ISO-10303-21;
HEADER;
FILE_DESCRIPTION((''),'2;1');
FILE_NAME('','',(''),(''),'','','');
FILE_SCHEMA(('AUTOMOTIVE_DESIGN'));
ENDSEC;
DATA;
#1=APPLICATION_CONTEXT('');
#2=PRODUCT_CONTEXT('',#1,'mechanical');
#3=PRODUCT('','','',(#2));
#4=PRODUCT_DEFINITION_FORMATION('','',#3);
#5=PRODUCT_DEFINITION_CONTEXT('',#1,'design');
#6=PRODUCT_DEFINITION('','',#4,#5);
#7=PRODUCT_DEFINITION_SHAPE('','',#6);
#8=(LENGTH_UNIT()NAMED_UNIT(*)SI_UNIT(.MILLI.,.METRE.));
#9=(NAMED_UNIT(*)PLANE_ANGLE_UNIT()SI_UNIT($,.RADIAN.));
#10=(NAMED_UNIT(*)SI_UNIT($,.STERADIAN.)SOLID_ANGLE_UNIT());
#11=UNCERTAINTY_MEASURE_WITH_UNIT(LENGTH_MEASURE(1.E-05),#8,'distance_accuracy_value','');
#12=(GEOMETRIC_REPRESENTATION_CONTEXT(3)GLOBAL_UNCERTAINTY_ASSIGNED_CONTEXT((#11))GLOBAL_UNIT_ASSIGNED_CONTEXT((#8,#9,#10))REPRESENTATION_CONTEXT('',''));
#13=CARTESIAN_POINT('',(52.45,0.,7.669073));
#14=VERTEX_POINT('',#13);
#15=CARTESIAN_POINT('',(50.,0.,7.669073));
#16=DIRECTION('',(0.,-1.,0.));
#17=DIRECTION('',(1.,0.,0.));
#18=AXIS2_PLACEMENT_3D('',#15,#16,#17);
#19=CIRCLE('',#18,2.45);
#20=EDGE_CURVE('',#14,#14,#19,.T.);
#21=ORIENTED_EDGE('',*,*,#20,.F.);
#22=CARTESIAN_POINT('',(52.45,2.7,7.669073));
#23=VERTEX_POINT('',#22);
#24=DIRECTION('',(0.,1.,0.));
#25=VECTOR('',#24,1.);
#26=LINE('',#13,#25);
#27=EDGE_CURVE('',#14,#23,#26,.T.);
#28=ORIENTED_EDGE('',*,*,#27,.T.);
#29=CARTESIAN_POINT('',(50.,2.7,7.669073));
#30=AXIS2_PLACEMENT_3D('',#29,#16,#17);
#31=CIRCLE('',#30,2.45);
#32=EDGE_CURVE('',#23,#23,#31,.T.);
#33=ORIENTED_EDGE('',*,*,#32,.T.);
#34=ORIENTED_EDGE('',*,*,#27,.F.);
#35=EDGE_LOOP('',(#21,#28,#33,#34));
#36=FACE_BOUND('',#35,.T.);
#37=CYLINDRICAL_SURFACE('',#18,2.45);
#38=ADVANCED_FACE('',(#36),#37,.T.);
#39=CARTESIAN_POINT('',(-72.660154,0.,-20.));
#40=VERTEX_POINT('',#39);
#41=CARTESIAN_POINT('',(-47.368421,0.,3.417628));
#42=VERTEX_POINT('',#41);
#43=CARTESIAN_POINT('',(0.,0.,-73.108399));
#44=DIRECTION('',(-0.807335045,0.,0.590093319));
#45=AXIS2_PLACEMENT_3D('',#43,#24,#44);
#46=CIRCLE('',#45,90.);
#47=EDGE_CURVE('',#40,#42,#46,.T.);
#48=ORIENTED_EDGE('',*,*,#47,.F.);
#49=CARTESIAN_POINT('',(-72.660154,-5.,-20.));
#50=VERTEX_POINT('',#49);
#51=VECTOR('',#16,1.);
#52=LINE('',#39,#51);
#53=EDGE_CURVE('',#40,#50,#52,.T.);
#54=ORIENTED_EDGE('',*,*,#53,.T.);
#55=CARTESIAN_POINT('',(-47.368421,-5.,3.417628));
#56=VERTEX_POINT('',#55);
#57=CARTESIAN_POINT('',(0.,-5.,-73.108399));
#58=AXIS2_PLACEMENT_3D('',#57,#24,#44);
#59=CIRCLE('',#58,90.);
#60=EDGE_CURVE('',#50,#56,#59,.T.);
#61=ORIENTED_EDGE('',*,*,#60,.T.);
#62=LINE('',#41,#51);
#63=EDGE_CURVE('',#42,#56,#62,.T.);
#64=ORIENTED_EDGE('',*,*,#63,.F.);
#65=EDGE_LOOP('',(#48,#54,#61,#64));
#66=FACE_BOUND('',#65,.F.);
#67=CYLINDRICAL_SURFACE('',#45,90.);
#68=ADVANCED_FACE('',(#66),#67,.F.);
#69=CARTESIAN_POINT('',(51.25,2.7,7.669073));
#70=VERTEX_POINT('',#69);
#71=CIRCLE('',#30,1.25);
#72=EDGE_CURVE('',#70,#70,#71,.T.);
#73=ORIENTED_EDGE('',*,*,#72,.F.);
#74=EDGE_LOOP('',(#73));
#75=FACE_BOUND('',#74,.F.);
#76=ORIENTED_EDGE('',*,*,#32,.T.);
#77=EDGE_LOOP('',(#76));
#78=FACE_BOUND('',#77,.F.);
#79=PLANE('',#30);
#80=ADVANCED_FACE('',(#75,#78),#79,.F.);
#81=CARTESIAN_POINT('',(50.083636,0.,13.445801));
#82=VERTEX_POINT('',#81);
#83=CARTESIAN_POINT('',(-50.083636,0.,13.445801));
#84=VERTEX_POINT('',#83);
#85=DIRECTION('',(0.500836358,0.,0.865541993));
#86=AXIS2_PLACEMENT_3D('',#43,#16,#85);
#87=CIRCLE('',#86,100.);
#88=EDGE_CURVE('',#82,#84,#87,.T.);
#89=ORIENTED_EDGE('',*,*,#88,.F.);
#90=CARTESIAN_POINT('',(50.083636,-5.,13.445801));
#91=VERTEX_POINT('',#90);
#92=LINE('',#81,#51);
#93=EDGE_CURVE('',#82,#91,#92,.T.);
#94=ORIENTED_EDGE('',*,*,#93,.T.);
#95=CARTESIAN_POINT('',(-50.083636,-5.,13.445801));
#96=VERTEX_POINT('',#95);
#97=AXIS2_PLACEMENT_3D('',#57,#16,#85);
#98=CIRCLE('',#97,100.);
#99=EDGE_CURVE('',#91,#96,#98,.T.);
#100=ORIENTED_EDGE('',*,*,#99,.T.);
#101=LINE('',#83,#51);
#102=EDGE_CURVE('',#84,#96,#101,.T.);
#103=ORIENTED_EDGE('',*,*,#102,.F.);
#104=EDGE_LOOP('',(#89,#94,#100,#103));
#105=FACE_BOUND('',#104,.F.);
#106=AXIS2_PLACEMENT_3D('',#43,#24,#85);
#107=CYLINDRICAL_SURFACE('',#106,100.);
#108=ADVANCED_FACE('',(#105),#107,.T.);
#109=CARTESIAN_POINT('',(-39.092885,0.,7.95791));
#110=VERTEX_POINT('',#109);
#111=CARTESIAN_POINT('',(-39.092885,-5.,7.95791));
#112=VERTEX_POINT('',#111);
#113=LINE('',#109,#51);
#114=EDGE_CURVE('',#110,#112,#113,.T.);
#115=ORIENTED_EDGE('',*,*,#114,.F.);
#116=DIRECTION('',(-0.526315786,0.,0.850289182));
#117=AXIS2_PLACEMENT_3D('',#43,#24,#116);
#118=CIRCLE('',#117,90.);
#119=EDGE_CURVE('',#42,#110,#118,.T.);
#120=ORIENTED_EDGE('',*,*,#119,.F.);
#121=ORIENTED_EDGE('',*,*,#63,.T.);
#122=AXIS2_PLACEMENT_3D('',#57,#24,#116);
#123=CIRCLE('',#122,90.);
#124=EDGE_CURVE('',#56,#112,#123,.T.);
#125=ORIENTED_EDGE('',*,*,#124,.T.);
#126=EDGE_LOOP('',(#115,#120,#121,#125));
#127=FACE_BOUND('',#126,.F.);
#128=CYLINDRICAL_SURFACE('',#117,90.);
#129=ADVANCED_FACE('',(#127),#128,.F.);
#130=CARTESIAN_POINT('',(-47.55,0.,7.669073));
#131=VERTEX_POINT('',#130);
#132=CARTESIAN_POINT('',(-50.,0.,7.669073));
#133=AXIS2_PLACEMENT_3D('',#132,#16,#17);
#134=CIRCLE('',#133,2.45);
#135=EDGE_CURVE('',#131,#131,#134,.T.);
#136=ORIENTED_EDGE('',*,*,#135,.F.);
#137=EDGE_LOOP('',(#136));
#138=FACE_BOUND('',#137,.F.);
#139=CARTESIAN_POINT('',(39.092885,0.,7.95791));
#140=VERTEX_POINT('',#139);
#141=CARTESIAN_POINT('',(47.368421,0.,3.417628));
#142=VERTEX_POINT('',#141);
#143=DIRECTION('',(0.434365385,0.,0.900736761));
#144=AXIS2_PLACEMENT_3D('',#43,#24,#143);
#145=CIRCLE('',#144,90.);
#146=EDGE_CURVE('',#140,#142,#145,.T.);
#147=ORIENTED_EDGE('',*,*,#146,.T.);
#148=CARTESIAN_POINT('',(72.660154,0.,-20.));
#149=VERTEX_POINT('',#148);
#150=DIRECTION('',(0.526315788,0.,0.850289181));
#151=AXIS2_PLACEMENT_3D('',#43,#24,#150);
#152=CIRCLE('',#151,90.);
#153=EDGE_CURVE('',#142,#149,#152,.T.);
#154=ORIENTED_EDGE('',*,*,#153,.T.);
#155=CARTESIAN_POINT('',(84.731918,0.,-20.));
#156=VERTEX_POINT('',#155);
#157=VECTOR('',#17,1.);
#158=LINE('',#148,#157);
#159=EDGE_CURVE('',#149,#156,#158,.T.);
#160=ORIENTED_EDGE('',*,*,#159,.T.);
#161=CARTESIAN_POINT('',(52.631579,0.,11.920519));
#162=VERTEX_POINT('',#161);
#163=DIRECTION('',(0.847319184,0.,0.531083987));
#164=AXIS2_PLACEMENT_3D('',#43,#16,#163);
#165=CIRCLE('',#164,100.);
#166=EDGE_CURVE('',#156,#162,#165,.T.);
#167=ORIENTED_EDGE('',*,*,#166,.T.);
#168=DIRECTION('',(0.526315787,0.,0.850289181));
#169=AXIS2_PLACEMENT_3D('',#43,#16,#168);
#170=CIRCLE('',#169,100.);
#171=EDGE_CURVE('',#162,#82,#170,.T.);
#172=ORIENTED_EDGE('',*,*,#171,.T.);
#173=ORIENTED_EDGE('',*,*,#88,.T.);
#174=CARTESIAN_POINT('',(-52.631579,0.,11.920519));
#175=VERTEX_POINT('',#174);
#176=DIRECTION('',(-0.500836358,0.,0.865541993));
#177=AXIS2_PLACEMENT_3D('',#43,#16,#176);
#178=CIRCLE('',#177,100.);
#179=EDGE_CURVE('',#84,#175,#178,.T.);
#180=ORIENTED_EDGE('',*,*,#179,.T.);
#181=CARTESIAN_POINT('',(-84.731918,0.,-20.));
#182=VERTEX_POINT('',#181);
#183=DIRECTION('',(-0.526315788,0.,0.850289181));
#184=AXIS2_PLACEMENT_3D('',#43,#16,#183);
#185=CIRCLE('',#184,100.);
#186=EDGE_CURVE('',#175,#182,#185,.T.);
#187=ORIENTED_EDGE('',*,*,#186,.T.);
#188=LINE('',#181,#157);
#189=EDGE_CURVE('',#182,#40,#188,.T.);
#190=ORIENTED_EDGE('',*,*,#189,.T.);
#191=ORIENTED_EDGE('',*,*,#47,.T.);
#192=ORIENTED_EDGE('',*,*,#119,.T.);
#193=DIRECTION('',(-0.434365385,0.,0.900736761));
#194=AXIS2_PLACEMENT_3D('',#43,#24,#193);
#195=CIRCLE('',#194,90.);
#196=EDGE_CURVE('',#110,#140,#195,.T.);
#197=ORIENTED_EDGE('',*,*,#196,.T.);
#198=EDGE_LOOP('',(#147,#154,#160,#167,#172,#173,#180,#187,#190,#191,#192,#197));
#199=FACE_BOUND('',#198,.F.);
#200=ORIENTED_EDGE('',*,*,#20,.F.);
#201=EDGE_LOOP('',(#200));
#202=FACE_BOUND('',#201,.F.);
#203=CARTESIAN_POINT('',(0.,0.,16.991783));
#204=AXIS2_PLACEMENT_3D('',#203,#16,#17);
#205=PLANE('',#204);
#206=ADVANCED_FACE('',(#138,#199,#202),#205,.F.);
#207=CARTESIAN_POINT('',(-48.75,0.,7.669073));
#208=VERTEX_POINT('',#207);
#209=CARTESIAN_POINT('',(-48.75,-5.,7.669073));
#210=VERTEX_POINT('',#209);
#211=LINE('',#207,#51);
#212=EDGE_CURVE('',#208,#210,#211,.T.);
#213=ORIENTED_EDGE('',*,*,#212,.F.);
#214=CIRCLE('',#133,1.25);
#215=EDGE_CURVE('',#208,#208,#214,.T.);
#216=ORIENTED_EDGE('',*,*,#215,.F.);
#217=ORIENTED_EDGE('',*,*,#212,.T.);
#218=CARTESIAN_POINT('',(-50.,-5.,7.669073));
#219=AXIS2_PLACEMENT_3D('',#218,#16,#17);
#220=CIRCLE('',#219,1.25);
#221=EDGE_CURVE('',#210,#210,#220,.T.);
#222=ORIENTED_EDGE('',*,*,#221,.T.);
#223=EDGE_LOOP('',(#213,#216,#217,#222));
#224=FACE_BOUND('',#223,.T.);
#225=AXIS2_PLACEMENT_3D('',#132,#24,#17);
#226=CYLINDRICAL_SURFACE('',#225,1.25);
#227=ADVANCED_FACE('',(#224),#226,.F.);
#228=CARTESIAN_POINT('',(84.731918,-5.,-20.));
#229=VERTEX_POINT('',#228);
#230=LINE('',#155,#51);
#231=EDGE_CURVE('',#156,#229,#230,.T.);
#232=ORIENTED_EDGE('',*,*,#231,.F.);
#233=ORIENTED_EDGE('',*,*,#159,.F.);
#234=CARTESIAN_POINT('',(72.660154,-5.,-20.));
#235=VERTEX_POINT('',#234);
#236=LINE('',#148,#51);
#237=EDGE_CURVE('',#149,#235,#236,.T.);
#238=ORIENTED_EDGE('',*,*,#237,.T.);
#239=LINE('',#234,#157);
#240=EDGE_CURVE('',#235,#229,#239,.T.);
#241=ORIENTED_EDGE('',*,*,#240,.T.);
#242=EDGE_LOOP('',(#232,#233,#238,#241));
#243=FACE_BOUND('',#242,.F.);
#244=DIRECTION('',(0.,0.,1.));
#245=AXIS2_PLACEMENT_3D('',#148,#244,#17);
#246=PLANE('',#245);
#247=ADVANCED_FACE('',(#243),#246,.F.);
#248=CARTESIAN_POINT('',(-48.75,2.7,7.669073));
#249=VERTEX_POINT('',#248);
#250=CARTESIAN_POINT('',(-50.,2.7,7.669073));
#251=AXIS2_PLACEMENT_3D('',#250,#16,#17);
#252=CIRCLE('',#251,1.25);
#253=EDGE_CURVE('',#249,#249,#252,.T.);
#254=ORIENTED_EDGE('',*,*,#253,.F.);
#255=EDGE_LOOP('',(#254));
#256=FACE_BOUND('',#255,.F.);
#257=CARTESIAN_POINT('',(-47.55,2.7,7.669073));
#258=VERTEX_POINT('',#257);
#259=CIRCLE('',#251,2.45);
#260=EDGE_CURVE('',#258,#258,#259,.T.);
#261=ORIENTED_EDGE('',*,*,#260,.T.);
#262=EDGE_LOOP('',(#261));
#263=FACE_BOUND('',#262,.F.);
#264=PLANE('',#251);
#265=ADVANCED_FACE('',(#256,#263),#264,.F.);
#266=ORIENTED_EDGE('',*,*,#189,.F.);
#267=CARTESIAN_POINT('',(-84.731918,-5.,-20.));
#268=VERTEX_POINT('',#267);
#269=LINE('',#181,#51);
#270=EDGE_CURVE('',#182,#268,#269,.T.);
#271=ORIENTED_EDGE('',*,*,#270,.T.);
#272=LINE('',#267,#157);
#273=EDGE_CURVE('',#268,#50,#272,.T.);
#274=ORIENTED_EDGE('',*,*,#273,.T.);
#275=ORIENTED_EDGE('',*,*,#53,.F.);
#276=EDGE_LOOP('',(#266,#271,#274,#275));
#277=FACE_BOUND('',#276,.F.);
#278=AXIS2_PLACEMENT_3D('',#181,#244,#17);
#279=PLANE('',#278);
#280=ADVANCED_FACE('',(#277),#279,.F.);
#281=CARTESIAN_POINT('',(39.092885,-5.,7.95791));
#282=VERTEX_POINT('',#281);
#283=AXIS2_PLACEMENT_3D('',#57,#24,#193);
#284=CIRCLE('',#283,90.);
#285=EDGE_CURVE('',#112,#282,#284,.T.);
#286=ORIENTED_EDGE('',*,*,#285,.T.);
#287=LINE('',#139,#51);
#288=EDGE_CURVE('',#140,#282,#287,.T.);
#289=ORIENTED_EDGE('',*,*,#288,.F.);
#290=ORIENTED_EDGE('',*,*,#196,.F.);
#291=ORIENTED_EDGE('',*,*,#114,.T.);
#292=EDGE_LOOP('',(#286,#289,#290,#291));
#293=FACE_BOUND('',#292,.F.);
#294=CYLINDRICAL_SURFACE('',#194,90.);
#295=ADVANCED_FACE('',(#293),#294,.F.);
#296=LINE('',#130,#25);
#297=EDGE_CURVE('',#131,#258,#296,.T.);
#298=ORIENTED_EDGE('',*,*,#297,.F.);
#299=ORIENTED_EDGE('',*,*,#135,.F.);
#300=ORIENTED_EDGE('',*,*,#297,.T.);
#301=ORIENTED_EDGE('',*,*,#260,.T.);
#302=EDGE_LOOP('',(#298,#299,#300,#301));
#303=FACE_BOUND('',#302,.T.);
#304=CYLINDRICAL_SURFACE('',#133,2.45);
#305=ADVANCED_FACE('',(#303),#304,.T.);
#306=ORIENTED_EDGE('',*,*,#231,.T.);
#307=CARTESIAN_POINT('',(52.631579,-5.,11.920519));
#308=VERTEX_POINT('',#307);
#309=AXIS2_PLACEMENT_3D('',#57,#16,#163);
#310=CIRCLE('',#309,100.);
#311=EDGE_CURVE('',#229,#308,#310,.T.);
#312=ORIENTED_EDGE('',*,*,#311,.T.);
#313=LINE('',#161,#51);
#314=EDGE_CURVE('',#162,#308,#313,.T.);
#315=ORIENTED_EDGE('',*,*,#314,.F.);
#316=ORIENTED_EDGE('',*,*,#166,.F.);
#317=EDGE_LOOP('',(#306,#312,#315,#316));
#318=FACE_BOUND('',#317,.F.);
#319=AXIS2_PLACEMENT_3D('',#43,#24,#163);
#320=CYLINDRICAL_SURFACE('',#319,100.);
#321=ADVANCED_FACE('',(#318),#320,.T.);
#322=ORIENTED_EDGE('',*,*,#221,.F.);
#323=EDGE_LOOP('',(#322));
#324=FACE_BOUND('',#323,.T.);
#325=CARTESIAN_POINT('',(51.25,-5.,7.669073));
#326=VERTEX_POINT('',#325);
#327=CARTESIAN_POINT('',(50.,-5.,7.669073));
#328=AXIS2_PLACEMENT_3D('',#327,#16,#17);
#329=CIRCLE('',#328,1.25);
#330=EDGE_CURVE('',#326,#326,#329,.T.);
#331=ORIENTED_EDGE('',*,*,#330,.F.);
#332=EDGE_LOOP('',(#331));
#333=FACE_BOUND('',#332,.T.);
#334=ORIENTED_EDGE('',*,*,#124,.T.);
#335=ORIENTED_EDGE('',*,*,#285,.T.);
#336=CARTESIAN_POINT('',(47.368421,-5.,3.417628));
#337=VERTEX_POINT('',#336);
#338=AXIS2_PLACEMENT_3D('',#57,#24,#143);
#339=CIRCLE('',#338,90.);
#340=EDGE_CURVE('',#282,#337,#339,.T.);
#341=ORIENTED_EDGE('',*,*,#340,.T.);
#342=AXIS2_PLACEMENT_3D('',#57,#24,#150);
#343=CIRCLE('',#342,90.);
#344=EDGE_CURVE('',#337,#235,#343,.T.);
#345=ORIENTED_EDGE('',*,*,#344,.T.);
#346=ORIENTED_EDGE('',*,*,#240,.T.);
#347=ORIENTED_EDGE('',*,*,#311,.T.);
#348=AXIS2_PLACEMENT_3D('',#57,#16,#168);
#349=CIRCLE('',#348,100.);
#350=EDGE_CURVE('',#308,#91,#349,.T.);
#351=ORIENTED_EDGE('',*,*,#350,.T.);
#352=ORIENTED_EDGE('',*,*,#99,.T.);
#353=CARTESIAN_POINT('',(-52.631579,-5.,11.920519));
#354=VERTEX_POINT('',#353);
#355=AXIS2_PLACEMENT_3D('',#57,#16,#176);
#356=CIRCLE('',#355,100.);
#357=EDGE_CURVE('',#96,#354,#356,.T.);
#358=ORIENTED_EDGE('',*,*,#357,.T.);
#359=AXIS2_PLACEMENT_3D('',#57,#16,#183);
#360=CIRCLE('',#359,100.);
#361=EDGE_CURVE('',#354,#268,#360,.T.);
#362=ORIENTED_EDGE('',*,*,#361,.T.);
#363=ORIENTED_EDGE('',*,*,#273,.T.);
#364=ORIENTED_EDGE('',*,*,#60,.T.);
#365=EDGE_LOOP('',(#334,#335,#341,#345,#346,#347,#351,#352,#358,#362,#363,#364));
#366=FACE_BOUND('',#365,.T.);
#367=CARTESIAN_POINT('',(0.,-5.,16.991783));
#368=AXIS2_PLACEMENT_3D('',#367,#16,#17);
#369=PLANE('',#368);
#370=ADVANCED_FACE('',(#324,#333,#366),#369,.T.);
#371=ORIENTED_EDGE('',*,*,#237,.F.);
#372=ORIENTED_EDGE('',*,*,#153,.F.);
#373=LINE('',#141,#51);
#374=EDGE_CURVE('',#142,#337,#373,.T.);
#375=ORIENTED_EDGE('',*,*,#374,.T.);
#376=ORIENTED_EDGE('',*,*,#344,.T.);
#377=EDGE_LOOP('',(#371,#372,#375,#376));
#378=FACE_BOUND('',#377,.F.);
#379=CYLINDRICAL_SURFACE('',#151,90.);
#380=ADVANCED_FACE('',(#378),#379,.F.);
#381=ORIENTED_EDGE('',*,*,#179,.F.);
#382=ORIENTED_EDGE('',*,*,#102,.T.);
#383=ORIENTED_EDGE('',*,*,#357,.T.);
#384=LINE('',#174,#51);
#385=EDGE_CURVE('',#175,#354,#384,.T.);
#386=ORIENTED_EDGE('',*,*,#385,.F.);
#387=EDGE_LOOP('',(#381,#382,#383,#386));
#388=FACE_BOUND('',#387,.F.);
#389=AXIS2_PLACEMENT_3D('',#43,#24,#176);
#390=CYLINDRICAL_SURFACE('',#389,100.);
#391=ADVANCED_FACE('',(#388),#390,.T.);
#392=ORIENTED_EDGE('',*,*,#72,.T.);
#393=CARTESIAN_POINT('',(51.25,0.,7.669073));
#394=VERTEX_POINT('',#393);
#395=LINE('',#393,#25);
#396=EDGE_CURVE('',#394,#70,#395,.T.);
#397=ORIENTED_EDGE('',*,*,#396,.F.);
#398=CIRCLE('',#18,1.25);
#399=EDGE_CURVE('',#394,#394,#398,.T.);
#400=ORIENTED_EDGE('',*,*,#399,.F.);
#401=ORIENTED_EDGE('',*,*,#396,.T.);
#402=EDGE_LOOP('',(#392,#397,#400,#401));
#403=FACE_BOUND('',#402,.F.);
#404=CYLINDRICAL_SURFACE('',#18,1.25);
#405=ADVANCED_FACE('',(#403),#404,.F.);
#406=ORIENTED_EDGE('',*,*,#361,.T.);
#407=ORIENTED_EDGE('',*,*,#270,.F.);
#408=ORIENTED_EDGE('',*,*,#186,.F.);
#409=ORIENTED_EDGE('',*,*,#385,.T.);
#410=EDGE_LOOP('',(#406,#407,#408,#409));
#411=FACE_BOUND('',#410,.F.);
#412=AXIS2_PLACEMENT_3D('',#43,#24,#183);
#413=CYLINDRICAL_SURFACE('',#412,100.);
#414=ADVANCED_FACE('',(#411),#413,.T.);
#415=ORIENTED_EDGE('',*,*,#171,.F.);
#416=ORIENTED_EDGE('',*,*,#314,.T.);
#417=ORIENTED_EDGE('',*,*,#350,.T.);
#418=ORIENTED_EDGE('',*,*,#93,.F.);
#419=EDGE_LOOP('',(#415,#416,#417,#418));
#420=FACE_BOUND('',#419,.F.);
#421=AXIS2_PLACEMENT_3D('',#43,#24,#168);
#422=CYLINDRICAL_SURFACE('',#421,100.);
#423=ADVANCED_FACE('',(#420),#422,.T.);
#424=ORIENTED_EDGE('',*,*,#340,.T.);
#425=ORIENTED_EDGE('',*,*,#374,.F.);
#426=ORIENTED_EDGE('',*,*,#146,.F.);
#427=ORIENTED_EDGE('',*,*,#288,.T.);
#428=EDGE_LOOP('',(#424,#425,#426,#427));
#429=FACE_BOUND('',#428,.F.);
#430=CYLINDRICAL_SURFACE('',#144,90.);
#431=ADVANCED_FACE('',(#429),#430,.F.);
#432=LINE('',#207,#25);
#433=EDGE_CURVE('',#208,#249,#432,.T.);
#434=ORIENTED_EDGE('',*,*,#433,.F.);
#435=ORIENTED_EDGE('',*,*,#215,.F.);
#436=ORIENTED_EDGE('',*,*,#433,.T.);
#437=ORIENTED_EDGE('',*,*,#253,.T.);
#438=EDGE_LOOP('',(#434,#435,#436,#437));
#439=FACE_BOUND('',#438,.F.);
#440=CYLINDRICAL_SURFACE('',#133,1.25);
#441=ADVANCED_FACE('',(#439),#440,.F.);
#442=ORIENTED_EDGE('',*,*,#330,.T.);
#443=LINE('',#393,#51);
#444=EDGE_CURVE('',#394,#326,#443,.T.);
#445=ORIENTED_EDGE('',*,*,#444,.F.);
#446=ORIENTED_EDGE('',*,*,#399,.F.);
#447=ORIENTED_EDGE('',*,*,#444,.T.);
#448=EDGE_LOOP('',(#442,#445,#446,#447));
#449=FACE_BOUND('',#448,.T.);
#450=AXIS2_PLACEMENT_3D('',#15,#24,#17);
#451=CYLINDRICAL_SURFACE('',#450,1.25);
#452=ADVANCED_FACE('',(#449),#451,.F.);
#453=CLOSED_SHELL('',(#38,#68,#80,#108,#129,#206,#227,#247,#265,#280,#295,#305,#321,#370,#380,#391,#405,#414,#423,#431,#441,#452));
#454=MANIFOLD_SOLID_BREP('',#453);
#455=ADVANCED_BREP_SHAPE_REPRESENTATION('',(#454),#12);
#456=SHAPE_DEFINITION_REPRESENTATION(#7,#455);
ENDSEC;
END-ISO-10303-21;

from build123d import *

# Parameters (mm, degrees)
F0_R     = 2.45
F0_R_2   = 1.25
F1_DEPTH = 5
F2_DEPTH = 2.7


with BuildPart() as f1:
    # F0 (on Front) → F1 (new body)
    with BuildSketch(Plane.XZ):
        with BuildLine():
            ThreePointArc((50.0836358252, 13.4458006649), (0, 26.8916013299), (-50.0836358252, 13.4458006649))
            ThreePointArc((-50.0836358252, 13.4458006649), (-48.8562145849, 12.7470900403), (-47.6190477051, 12.0657842722))
            ThreePointArc((-47.6190477051, 12.0657842722), (-43.4045903326, 9.9109244244), (-39.0928846634, 7.9579097983))
            ThreePointArc((-39.0928846634, 7.9579097983), (0, 16.8916013299), (39.0928846634, 7.9579097983))
            ThreePointArc((39.0928846634, 7.9579097983), (43.4045901471, 9.910924335), (47.6190473429, 12.0657840761))
            ThreePointArc((47.6190473429, 12.0657840761), (48.8562144052, 12.7470899397), (50.0836358252, 13.4458006649))
        make_face()
        with BuildLine():
            ThreePointArc((-47.3684207798, 3.4176277054), (-54.2514458754, 5.0374944493), (-52.6315787551, 11.9205194563))
            ThreePointArc((-52.6315787551, 11.9205194563), (-70.5117896256, -2.1993899068), (-84.7319183702, -20))
            Line((-84.7319183702, -20), (-72.6601540784, -20))
            ThreePointArc((-72.6601540784, -20), (-61.1458176612, -7.0690998963), (-47.3684207798, 3.4176277054))
        make_face()
        with BuildLine():
            ThreePointArc((84.7319183702, -20), (70.511789623, -2.1993899042), (52.6315787487, 11.9205194603))
            ThreePointArc((52.6315787487, 11.9205194603), (54.3679453833, 10.1023948559), (55, 7.6690734369))
            ThreePointArc((55, 7.6690734369), (52.4333212381, 3.3011279528), (47.3684208991, 3.4176276316))
            ThreePointArc((47.3684208991, 3.4176276316), (61.1458177127, -7.0690999439), (72.6601540784, -20))
            Line((72.6601540784, -20), (84.7319183702, -20))
        make_face()
        with BuildLine():
            ThreePointArc((-45, 7.6690734369), (-45.7043765601, 10.2279050575), (-47.6190477051, 12.0657842722))
            ThreePointArc((-47.6190477051, 12.0657842722), (-50.1448408517, 12.6669751094), (-52.6315787551, 11.9205194563))
            ThreePointArc((-52.6315787551, 11.9205194563), (-54.2514458754, 5.0374944493), (-47.3684207798, 3.4176277054))
            ThreePointArc((-47.3684207798, 3.4176277054), (-45.6320544817, 5.2357522601), (-45, 7.6690734369))
        make_face()
        with Locations((-50, 7.6690734369)):
            Circle(F0_R, mode=Mode.SUBTRACT)
        with BuildLine():
            ThreePointArc((52.6315787487, 11.9205194603), (50.1448406421, 12.6669751154), (47.6190473429, 12.0657840761))
            ThreePointArc((47.6190473429, 12.0657840761), (45.0020983275, 7.813914286), (47.3684208991, 3.4176276316))
            ThreePointArc((47.3684208991, 3.4176276316), (52.4333212381, 3.3011279528), (55, 7.6690734369))
            ThreePointArc((55, 7.6690734369), (54.3679453833, 10.1023948559), (52.6315787487, 11.9205194603))
        make_face()
        with Locations((50, 7.6690734369)):
            Circle(F0_R, mode=Mode.SUBTRACT)
        with BuildLine():
            ThreePointArc((-39.0928846634, 7.9579097983), (-43.4045903326, 9.9109244244), (-47.6190477051, 12.0657842722))
            ThreePointArc((-47.6190477051, 12.0657842722), (-45.7043765601, 10.2279050575), (-45, 7.6690734369))
            ThreePointArc((-45, 7.6690734369), (-45.6320544817, 5.2357522601), (-47.3684207798, 3.4176277054))
            ThreePointArc((-47.3684207798, 3.4176277054), (-43.2902168521, 5.7963358196), (-39.0928846634, 7.9579097983))
        make_face()
        with BuildLine():
            ThreePointArc((47.3684208991, 3.4176276316), (45.0020983275, 7.813914286), (47.6190473429, 12.0657840761))
            ThreePointArc((47.6190473429, 12.0657840761), (43.4045901471, 9.910924335), (39.0928846634, 7.9579097983))
            ThreePointArc((39.0928846634, 7.9579097983), (43.2902169136, 5.7963357859), (47.3684208991, 3.4176276316))
        make_face()
        with Locations((-50, 7.6690734369)):
            Circle(F0_R)
        with Locations((-50, 7.6690734369)):
            Circle(F0_R_2, mode=Mode.SUBTRACT)
        with Locations((50, 7.6690734369)):
            Circle(F0_R)
        with Locations((50, 7.6690734369)):
            Circle(F0_R_2, mode=Mode.SUBTRACT)
        with BuildLine():
            ThreePointArc((-47.6190477051, 12.0657842722), (-48.8562145849, 12.7470900403), (-50.0836358252, 13.4458006649))
            ThreePointArc((-50.0836358252, 13.4458006649), (-51.363269437, 12.692618531), (-52.6315787551, 11.9205194563))
            ThreePointArc((-52.6315787551, 11.9205194563), (-50.1448408517, 12.6669751094), (-47.6190477051, 12.0657842722))
        make_face()
        with BuildLine():
            ThreePointArc((52.6315787487, 11.9205194603), (51.3632694338, 12.6926185329), (50.0836358252, 13.4458006649))
            ThreePointArc((50.0836358252, 13.4458006649), (48.8562144052, 12.7470899397), (47.6190473429, 12.0657840761))
            ThreePointArc((47.6190473429, 12.0657840761), (50.1448406421, 12.6669751154), (52.6315787487, 11.9205194603))
        make_face()
    extrude(amount=F1_DEPTH)

    # F0 (on Front) → F2 (join)
    with BuildSketch(Plane.XZ):
        with Locations((50, 7.6690734369)):
            Circle(F0_R)
        with Locations((50, 7.6690734369)):
            Circle(F0_R_2, mode=Mode.SUBTRACT)
        with Locations((-50, 7.6690734369)):
            Circle(F0_R)
        with Locations((-50, 7.6690734369)):
            Circle(F0_R_2, mode=Mode.SUBTRACT)
    extrude(amount=-F2_DEPTH)


solid = f1.part
